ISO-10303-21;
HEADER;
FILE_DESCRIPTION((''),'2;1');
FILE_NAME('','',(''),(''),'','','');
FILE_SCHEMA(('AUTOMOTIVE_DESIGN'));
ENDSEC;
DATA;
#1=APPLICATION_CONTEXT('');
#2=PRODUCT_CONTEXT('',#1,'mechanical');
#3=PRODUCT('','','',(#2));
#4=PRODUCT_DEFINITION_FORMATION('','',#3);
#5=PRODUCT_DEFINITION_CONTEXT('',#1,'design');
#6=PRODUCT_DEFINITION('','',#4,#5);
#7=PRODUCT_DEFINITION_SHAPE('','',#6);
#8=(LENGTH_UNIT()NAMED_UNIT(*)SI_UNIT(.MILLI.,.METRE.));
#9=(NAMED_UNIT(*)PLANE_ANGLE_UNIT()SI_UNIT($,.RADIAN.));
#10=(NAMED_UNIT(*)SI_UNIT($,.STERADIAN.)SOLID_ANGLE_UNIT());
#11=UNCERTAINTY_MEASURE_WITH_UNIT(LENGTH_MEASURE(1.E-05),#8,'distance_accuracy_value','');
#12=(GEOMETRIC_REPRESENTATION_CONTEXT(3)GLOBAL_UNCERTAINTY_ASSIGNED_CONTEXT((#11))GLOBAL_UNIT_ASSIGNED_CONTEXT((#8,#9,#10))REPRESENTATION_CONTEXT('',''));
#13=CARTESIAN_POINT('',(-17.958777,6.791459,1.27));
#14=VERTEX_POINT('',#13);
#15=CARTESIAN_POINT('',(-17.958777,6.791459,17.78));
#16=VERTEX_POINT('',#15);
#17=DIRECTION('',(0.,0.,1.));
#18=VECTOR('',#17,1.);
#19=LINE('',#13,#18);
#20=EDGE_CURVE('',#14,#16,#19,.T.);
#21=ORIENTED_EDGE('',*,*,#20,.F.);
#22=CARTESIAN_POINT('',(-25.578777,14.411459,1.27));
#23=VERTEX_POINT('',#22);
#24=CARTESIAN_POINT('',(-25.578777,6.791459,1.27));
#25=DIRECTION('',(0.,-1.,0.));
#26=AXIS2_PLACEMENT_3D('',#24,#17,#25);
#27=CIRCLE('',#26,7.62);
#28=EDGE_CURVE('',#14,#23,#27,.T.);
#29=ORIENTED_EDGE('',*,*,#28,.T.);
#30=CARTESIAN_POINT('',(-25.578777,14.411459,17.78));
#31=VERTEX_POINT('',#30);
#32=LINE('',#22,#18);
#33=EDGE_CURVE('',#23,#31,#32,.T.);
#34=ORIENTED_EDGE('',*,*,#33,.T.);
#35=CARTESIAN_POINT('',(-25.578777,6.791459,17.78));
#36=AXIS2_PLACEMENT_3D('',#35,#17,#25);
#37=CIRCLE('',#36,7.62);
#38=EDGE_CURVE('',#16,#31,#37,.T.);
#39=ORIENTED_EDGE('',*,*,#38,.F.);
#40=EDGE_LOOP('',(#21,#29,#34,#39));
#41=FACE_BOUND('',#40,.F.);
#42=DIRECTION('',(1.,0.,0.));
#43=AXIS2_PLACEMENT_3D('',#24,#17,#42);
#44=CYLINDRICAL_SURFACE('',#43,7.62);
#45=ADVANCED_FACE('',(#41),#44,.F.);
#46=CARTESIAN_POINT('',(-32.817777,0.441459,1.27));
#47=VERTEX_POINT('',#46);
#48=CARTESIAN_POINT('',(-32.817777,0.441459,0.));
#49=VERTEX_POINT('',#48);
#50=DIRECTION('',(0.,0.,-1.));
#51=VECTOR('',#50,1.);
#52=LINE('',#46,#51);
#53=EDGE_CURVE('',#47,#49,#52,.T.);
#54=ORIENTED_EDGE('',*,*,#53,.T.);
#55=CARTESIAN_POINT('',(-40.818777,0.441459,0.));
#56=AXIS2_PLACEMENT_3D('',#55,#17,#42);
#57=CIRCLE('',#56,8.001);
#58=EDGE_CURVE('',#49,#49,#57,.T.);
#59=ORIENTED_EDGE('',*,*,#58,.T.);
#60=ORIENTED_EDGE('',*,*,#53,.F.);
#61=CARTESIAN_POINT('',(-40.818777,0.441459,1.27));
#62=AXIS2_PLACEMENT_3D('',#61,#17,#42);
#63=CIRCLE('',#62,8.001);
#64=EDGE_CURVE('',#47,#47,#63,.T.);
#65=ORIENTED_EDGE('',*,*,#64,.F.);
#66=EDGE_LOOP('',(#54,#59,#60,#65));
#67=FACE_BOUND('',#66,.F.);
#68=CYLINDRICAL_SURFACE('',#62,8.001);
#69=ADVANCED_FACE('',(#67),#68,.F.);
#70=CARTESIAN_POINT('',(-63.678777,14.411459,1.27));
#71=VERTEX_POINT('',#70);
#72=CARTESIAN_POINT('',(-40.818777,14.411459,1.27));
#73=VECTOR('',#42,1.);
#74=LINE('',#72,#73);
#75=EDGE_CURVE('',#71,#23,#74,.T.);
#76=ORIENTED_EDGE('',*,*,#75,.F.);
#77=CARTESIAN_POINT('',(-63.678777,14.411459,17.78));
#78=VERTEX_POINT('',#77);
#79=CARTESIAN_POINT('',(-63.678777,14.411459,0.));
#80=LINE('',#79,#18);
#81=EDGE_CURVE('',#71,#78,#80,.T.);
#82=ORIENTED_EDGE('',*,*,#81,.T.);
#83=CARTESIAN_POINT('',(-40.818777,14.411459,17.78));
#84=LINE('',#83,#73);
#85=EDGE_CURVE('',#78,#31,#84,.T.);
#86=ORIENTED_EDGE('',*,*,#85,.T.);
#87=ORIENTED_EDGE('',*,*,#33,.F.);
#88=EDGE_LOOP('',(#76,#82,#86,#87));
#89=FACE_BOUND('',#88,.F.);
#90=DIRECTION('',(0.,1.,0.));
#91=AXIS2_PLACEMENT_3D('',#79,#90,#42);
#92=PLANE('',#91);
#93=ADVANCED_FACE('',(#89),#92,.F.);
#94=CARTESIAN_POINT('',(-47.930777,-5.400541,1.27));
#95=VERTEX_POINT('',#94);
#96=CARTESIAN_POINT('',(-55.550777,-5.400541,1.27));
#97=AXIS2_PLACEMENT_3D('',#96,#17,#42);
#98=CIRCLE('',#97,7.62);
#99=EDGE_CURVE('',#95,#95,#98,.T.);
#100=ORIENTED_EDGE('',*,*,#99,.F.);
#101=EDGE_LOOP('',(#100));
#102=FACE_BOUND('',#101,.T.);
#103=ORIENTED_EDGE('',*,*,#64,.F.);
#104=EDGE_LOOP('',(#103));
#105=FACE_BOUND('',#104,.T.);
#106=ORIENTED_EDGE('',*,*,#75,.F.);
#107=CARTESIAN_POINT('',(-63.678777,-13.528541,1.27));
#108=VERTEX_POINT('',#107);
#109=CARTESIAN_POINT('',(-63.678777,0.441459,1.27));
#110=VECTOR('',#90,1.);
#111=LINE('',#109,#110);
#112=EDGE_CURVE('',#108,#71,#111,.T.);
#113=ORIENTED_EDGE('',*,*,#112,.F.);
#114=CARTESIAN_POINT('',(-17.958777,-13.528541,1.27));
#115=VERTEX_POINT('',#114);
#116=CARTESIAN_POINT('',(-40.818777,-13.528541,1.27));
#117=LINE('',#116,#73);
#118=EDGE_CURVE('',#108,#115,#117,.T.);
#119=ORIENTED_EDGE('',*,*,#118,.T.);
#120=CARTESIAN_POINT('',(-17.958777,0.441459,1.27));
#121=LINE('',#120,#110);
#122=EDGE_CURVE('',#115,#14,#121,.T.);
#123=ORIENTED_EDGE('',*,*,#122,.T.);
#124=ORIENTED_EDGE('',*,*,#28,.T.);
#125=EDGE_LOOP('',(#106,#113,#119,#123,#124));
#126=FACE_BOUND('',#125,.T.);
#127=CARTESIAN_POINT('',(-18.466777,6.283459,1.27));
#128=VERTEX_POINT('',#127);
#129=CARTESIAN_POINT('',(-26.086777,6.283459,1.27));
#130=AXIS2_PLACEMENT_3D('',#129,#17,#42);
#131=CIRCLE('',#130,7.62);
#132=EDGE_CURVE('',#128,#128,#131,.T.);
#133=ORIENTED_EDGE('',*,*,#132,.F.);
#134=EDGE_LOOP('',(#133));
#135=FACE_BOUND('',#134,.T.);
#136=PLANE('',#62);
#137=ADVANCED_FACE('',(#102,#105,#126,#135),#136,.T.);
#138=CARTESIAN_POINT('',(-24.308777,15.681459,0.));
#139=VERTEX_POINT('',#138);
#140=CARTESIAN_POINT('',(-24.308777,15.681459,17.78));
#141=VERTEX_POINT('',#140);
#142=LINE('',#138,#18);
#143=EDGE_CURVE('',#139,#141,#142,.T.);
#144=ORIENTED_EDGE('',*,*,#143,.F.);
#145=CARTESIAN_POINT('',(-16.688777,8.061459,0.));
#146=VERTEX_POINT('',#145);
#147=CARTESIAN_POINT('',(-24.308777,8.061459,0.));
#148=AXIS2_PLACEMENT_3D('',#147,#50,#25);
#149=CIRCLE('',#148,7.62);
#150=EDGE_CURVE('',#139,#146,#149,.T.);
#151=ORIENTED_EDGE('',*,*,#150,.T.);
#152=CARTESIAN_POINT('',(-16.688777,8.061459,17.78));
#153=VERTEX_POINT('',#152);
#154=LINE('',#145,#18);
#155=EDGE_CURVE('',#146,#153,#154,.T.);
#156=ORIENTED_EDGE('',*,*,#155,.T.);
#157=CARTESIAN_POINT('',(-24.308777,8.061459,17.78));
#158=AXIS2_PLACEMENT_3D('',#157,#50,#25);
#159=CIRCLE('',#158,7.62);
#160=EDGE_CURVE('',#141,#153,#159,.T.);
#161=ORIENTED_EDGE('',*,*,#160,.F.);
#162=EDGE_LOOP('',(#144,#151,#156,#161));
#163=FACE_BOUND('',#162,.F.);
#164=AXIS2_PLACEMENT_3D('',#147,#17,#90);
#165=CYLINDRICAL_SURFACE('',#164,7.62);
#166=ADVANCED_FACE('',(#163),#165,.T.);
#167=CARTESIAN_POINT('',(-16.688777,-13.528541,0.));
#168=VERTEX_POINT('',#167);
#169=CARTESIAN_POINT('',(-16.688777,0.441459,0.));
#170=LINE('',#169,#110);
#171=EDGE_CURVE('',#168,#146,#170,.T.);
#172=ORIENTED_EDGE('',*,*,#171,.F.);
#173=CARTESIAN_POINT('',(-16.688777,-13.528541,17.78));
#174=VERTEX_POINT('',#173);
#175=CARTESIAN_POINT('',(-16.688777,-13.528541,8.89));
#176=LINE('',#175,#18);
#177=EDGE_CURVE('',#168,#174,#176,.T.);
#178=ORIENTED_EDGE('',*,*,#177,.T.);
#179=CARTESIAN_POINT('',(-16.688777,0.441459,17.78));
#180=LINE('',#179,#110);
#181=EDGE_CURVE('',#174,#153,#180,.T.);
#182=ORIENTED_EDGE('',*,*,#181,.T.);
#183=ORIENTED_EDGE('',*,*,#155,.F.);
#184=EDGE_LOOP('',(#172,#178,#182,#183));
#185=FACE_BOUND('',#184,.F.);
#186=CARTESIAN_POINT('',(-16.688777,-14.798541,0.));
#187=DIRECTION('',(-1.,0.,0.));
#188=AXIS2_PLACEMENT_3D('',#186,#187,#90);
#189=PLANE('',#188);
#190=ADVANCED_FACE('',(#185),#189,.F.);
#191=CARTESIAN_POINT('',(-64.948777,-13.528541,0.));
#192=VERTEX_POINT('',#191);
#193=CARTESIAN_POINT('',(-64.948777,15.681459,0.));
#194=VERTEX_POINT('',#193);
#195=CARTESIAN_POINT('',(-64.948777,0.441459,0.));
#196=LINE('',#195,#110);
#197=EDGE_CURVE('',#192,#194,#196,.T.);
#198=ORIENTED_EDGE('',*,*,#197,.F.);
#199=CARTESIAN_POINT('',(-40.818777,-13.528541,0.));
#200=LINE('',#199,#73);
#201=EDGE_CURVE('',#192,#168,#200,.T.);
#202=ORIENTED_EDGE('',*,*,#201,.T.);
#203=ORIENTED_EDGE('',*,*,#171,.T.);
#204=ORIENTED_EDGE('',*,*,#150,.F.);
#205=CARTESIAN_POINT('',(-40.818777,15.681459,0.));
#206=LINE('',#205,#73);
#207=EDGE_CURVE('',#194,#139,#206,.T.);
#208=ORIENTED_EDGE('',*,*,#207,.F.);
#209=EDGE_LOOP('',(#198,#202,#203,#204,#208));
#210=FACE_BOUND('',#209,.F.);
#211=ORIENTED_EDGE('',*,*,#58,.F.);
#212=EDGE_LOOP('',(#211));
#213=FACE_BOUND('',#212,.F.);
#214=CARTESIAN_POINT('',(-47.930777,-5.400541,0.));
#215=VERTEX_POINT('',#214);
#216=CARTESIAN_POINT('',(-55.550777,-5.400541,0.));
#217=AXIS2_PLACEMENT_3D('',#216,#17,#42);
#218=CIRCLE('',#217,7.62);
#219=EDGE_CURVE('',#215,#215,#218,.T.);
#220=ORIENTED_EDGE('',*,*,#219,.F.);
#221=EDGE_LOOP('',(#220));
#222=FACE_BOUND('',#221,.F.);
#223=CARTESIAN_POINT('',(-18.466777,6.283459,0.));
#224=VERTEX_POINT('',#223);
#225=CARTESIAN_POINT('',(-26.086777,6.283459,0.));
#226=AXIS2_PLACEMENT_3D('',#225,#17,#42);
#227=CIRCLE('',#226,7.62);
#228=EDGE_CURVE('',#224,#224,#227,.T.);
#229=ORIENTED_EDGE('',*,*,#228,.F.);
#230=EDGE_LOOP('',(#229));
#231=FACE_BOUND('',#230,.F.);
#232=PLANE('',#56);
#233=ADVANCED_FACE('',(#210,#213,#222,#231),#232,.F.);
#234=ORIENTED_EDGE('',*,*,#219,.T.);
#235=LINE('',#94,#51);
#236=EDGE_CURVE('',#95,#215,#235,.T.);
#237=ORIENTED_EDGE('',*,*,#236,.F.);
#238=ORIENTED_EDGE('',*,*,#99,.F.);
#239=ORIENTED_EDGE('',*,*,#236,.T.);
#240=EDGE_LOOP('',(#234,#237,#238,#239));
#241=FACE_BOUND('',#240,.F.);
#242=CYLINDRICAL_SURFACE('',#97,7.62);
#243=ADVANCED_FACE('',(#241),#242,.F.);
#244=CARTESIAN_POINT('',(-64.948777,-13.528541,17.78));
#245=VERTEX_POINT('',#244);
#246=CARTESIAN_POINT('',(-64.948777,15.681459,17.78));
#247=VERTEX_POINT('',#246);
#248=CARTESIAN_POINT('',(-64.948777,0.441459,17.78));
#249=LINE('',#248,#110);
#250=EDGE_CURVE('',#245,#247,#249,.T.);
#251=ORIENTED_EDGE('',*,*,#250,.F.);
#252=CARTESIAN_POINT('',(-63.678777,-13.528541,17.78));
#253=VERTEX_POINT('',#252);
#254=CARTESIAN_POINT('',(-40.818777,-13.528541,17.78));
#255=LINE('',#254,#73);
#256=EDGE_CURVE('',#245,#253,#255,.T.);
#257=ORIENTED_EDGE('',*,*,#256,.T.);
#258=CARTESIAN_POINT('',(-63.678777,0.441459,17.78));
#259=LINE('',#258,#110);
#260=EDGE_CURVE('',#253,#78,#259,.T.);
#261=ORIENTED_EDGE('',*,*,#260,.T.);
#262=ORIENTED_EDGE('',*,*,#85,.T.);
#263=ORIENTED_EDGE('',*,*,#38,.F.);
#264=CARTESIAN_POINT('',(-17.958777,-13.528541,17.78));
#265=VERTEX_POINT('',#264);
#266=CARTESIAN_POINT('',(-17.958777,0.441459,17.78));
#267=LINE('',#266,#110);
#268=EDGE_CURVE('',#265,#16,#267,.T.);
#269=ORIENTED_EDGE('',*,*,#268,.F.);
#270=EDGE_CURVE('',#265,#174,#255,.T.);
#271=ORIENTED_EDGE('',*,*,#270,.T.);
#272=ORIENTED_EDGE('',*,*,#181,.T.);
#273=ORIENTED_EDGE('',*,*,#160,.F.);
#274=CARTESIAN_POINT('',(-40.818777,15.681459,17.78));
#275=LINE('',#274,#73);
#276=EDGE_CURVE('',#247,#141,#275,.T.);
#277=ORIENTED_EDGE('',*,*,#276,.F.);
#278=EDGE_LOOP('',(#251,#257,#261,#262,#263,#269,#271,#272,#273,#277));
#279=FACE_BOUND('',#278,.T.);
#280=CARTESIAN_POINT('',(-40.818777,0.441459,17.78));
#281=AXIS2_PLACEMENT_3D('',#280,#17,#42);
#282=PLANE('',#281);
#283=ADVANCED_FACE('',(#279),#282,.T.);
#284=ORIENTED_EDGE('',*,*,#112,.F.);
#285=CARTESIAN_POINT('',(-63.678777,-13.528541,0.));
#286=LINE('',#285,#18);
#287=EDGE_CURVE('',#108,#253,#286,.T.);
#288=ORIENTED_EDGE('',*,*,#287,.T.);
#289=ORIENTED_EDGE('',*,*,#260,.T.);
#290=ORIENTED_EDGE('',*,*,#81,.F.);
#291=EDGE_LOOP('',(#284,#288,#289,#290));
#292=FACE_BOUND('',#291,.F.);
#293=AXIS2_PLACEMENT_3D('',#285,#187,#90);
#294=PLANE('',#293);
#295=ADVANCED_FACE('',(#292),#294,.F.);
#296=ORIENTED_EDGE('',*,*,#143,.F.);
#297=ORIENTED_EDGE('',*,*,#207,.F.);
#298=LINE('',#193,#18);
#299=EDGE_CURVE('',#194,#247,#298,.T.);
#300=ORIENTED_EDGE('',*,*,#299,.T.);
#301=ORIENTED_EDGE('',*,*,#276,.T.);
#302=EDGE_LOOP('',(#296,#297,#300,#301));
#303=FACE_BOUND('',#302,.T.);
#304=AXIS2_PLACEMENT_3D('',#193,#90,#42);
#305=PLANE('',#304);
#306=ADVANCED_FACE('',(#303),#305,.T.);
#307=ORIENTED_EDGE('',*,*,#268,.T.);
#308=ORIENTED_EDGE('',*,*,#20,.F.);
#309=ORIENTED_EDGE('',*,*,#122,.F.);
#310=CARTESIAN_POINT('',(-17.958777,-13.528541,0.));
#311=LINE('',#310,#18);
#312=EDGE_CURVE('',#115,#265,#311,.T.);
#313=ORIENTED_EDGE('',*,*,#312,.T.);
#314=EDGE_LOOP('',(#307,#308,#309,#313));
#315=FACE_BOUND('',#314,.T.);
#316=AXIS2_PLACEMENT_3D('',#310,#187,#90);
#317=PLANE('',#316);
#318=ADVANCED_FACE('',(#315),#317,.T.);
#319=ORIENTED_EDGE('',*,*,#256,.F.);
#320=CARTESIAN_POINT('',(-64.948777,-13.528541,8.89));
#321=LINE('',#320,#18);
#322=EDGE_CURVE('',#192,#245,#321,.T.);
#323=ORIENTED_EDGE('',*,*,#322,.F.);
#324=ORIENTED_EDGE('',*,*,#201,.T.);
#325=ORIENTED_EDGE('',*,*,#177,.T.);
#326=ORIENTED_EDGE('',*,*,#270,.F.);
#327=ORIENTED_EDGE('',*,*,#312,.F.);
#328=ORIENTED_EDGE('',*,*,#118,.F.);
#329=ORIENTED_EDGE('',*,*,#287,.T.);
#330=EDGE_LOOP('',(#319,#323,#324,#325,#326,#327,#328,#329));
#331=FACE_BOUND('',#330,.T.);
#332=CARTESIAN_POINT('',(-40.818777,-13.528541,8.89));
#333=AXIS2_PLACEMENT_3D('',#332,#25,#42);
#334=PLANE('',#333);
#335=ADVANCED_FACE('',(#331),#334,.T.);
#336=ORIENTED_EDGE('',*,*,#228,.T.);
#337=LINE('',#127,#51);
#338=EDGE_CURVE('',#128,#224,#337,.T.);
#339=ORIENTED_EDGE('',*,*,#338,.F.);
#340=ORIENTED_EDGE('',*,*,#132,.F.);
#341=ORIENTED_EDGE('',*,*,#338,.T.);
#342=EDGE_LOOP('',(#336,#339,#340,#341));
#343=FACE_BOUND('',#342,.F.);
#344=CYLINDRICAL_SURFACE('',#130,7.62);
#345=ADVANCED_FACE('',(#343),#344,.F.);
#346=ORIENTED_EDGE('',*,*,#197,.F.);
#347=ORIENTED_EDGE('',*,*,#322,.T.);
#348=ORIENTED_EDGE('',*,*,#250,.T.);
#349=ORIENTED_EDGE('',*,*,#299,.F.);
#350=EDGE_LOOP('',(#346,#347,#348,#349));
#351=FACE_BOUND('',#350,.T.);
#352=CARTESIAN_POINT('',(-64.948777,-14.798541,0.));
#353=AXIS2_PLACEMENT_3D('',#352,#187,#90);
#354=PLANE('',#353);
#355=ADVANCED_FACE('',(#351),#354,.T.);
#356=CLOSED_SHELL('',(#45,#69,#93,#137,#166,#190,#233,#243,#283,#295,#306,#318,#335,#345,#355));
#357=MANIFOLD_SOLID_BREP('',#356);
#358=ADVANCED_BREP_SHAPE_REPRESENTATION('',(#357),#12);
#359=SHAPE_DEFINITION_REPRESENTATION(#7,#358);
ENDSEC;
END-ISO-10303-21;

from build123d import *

# Parameters (mm, degrees)
F0_W     = 48.26
F0_H     = 30.48
F0_W_2   = 45.72
F0_H_2   = 27.94
F1_DEPTH = 17.78
F2_DEPTH = 1.27
F3_R     = 7.62
F5_W     = 48.26
F5_H     = 17.78
F6_DEPTH = 1.27
F4_R     = 8.001
F4_R_2   = 7.62
F7_DEPTH = 12.1666


with BuildPart() as f1:
    # F0 (on Top) → F1 (new body)
    with BuildSketch(Plane.XY):
        with Locations((-40.818777, 0.441459)):
            Rectangle(F0_W, F0_H)
        with Locations((-40.818777, 0.441459)):
            Rectangle(F0_W_2, F0_H_2, mode=Mode.SUBTRACT)
    extrude(amount=F1_DEPTH)

    # F0 (on Top) → F2 (join)
    with BuildSketch(Plane.XY):
        with Locations((-40.818777, 0.441459)):
            Rectangle(F0_W_2, F0_H_2)
    extrude(amount=F2_DEPTH)

    # F3
    f3_edges = [f1.edges().sort_by_distance(p)[0] for p in [
        (-16.688777, 15.681459, 8.89),
        (-17.958777, 14.411459, 9.525),
    ]]
    fillet(f3_edges, radius=F3_R)

    # F5 (on face) → F6 (cut)
    with BuildSketch(Plane.XZ.offset(14.798541)):
        with Locations((-40.818777, 8.89)):
            Rectangle(F5_W, F5_H)
    extrude(amount=-F6_DEPTH, mode=Mode.SUBTRACT)

    # F4 (on face) → F7 (cut)
    with BuildSketch(Plane.XY.offset(1.27)):
        with Locations((-40.818777, 0.441459)):
            Circle(F4_R)
        with Locations((-26.086777, 6.283459)):
            Circle(F4_R_2)
        with Locations((-55.550777, -5.400541)):
            Circle(F4_R_2)
    extrude(amount=-F7_DEPTH, mode=Mode.SUBTRACT)


solid = f1.part
